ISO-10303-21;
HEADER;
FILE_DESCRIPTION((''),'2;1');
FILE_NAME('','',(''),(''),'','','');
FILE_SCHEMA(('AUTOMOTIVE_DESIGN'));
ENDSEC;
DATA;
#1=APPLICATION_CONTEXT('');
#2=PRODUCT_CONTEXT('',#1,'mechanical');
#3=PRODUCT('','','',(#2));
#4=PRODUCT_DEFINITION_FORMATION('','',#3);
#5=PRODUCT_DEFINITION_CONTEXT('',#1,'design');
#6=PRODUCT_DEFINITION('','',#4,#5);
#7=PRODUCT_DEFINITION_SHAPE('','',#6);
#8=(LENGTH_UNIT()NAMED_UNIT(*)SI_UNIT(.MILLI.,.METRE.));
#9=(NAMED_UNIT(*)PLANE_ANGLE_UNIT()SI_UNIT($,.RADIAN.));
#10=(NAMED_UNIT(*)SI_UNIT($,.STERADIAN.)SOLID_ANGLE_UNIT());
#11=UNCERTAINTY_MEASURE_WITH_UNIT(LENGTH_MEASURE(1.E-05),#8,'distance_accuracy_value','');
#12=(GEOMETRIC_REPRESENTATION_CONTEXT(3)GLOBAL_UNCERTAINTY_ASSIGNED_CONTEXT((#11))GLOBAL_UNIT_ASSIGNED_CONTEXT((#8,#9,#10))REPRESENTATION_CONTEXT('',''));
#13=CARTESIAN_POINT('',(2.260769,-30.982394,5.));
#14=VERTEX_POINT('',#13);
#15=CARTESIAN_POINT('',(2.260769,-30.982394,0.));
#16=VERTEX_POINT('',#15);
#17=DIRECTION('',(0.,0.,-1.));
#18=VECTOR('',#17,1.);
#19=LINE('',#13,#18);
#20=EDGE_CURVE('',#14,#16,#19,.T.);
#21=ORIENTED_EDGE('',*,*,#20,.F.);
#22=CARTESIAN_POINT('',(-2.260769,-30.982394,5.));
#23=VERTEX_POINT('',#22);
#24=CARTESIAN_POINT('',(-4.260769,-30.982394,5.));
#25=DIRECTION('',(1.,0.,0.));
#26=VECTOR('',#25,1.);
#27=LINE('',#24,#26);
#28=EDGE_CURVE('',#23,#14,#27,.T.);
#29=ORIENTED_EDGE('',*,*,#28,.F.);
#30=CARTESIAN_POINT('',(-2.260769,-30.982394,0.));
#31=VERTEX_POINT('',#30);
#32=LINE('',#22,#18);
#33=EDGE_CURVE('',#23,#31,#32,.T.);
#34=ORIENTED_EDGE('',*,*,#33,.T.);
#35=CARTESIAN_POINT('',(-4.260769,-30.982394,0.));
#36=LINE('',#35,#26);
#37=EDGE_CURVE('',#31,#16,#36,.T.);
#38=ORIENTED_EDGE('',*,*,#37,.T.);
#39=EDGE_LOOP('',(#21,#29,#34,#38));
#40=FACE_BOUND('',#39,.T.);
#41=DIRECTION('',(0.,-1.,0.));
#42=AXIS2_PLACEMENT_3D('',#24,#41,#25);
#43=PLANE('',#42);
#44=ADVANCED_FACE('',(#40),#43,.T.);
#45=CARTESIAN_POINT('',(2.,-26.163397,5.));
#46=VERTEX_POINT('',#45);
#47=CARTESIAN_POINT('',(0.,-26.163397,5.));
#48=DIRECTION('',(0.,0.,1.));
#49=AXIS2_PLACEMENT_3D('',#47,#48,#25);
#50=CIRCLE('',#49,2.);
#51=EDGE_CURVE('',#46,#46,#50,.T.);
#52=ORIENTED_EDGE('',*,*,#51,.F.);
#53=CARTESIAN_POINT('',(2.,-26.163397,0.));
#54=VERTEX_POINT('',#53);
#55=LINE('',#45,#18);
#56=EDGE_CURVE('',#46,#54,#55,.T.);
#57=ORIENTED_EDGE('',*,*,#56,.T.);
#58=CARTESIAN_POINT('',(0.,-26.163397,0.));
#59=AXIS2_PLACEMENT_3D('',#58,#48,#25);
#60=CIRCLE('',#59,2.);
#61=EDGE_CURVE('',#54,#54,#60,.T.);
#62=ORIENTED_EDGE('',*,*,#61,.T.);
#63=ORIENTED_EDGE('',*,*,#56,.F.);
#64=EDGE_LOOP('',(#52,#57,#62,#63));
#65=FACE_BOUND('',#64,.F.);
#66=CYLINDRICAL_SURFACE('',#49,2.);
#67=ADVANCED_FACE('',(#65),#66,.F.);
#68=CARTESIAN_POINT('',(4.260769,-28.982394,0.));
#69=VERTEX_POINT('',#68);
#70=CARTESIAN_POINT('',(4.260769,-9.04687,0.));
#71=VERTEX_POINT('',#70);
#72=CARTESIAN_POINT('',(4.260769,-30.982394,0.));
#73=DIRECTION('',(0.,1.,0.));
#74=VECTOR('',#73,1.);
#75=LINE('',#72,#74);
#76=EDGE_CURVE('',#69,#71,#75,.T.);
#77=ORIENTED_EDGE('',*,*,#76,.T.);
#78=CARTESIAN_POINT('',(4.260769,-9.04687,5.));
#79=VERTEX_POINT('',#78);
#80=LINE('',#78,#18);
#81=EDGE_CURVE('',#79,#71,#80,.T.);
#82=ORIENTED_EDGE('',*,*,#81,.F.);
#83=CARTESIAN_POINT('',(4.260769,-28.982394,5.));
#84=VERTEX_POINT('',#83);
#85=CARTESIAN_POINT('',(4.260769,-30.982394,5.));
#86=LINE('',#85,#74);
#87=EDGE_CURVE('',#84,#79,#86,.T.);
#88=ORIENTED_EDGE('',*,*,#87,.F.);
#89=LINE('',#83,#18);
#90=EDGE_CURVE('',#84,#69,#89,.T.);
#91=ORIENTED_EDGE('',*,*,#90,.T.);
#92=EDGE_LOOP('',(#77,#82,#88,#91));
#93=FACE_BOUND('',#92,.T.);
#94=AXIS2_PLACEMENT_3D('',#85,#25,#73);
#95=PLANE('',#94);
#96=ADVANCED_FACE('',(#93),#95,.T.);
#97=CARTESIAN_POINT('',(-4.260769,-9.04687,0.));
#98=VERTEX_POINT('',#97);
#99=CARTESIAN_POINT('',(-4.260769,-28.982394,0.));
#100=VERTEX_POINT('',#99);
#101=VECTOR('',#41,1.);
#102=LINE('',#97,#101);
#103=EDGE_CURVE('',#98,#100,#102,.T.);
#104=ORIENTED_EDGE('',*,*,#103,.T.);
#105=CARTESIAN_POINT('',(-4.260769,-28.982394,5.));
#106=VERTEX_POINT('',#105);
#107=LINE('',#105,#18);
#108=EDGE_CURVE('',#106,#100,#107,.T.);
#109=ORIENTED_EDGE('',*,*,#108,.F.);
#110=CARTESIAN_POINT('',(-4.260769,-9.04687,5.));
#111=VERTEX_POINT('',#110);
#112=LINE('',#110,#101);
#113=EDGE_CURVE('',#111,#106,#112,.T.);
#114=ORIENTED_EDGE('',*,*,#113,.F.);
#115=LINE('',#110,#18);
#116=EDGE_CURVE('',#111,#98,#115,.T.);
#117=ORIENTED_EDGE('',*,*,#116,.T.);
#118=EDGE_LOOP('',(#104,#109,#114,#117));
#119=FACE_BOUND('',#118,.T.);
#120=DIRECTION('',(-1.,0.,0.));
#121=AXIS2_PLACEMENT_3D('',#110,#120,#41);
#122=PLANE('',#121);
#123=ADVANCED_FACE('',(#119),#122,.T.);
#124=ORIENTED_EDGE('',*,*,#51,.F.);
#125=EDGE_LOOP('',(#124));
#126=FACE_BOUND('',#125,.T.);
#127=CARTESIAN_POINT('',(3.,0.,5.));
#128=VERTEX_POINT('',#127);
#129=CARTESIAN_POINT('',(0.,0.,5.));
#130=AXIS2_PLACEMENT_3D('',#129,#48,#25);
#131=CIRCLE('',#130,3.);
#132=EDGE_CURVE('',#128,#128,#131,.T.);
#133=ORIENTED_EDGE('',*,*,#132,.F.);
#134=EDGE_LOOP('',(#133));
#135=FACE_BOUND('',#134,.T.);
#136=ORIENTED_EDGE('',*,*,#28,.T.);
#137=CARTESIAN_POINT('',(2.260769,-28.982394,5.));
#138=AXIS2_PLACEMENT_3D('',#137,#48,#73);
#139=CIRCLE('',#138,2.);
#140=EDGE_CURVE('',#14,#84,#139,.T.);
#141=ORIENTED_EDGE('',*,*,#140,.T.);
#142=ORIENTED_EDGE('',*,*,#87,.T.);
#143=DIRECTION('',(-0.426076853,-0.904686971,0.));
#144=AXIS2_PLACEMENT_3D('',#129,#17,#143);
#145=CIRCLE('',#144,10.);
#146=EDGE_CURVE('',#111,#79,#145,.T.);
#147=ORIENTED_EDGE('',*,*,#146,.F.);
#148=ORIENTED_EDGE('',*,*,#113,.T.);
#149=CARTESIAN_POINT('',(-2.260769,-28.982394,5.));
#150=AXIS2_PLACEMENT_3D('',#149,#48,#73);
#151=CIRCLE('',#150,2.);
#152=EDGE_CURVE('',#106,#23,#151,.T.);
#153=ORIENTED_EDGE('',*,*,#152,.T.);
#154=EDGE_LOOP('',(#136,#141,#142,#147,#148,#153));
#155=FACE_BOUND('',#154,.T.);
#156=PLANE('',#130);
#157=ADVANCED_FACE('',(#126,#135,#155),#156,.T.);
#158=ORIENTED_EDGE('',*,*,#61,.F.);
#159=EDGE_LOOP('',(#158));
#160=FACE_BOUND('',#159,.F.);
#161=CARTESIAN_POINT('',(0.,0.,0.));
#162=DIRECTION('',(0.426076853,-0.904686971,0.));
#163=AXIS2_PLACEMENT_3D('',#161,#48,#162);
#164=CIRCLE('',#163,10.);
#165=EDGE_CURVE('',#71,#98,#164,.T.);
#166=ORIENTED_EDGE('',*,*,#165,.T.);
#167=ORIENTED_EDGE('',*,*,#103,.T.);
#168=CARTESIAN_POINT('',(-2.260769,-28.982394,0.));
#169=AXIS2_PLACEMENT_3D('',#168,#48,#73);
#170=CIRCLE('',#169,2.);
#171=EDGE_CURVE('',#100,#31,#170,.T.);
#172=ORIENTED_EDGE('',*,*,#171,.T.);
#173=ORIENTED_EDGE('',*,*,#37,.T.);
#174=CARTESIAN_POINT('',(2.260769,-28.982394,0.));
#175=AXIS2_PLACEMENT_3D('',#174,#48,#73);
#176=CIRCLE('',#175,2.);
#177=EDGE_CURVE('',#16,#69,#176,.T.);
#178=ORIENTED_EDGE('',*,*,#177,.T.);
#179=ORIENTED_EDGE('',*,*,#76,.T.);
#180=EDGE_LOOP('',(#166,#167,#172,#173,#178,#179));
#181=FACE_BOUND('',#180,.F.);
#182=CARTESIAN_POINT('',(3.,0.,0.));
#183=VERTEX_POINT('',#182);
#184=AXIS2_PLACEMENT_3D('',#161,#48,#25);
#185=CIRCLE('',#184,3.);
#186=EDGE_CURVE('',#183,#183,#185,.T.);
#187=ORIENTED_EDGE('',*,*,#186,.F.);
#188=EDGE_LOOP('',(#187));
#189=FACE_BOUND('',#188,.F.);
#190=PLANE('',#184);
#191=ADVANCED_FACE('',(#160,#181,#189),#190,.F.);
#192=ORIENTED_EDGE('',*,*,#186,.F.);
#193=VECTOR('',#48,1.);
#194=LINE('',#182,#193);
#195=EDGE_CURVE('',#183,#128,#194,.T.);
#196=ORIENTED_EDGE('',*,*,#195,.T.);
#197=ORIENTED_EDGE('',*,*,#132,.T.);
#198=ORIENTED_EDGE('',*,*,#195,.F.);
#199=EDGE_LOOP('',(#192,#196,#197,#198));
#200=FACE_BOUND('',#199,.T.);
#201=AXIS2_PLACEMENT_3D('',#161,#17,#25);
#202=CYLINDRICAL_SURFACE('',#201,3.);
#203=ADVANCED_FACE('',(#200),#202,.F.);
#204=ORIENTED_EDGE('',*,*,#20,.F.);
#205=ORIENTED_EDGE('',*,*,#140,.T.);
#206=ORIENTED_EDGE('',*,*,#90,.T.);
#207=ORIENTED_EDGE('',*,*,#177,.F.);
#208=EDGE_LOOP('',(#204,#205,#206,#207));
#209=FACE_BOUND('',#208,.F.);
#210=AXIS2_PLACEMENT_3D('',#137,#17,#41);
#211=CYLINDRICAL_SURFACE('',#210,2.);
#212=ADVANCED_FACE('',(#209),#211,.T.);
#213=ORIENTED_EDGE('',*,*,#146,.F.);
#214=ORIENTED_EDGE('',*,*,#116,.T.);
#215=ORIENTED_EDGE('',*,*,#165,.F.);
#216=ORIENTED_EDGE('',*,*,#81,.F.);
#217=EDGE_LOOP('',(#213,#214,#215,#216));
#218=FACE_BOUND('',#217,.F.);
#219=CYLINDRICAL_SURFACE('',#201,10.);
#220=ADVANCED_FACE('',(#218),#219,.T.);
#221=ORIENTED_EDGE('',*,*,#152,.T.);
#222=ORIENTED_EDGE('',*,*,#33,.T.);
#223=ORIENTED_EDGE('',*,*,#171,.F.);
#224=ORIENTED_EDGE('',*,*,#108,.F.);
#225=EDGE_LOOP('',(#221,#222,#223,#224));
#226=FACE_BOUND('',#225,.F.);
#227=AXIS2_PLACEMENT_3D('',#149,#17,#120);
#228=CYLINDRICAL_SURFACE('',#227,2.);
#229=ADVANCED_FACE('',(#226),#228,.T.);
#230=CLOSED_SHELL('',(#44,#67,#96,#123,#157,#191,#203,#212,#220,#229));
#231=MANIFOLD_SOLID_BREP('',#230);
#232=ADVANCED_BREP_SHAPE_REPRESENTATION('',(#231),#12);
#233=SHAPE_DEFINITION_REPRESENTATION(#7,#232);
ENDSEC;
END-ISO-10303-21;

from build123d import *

# Parameters (mm, degrees)
F0_R     = 10
F0_R_2   = 3
F1_DEPTH = 5
F3_DEPTH = 5
F4_R     = 2
F5_R     = 2
F6_DEPTH = 5.001


with BuildPart() as f1:
    # F0 (on Top) → F1 (new body)
    with BuildSketch(Plane.XY):
        Circle(F0_R)
        Circle(F0_R_2, mode=Mode.SUBTRACT)
    extrude(amount=F1_DEPTH)

    # F2 (on face) → F3 (join)
    with BuildSketch(Plane.XY.offset(5)):
        with BuildLine():
            Line((4.2607685338, -30.9823937714), (4.2607685338, -9.0468697073))
            ThreePointArc((4.2607685338, -9.0468697073), (0, -10), (-4.2607685338, -9.0468697073))
            Line((-4.2607685338, -9.0468697073), (-4.2607685338, -30.9823937714))
            Line((-4.2607685338, -30.9823937714), (4.2607685338, -30.9823937714))
        make_face()
    extrude(amount=-F3_DEPTH)

    # F4
    f4_edges = [f1.edges().sort_by_distance(p)[0] for p in [
        (-4.260769, -30.982394, 2.5),
        (4.260769, -30.982394, 2.5),
    ]]
    fillet(f4_edges, radius=F4_R)

    # F5 (on face) → F6 (cut, through all)
    with BuildSketch(Plane.XY.offset(5)):
        with Locations((0, -26.1633973569)):
            Circle(F5_R)
    extrude(amount=-F6_DEPTH, mode=Mode.SUBTRACT)


solid = f1.part
